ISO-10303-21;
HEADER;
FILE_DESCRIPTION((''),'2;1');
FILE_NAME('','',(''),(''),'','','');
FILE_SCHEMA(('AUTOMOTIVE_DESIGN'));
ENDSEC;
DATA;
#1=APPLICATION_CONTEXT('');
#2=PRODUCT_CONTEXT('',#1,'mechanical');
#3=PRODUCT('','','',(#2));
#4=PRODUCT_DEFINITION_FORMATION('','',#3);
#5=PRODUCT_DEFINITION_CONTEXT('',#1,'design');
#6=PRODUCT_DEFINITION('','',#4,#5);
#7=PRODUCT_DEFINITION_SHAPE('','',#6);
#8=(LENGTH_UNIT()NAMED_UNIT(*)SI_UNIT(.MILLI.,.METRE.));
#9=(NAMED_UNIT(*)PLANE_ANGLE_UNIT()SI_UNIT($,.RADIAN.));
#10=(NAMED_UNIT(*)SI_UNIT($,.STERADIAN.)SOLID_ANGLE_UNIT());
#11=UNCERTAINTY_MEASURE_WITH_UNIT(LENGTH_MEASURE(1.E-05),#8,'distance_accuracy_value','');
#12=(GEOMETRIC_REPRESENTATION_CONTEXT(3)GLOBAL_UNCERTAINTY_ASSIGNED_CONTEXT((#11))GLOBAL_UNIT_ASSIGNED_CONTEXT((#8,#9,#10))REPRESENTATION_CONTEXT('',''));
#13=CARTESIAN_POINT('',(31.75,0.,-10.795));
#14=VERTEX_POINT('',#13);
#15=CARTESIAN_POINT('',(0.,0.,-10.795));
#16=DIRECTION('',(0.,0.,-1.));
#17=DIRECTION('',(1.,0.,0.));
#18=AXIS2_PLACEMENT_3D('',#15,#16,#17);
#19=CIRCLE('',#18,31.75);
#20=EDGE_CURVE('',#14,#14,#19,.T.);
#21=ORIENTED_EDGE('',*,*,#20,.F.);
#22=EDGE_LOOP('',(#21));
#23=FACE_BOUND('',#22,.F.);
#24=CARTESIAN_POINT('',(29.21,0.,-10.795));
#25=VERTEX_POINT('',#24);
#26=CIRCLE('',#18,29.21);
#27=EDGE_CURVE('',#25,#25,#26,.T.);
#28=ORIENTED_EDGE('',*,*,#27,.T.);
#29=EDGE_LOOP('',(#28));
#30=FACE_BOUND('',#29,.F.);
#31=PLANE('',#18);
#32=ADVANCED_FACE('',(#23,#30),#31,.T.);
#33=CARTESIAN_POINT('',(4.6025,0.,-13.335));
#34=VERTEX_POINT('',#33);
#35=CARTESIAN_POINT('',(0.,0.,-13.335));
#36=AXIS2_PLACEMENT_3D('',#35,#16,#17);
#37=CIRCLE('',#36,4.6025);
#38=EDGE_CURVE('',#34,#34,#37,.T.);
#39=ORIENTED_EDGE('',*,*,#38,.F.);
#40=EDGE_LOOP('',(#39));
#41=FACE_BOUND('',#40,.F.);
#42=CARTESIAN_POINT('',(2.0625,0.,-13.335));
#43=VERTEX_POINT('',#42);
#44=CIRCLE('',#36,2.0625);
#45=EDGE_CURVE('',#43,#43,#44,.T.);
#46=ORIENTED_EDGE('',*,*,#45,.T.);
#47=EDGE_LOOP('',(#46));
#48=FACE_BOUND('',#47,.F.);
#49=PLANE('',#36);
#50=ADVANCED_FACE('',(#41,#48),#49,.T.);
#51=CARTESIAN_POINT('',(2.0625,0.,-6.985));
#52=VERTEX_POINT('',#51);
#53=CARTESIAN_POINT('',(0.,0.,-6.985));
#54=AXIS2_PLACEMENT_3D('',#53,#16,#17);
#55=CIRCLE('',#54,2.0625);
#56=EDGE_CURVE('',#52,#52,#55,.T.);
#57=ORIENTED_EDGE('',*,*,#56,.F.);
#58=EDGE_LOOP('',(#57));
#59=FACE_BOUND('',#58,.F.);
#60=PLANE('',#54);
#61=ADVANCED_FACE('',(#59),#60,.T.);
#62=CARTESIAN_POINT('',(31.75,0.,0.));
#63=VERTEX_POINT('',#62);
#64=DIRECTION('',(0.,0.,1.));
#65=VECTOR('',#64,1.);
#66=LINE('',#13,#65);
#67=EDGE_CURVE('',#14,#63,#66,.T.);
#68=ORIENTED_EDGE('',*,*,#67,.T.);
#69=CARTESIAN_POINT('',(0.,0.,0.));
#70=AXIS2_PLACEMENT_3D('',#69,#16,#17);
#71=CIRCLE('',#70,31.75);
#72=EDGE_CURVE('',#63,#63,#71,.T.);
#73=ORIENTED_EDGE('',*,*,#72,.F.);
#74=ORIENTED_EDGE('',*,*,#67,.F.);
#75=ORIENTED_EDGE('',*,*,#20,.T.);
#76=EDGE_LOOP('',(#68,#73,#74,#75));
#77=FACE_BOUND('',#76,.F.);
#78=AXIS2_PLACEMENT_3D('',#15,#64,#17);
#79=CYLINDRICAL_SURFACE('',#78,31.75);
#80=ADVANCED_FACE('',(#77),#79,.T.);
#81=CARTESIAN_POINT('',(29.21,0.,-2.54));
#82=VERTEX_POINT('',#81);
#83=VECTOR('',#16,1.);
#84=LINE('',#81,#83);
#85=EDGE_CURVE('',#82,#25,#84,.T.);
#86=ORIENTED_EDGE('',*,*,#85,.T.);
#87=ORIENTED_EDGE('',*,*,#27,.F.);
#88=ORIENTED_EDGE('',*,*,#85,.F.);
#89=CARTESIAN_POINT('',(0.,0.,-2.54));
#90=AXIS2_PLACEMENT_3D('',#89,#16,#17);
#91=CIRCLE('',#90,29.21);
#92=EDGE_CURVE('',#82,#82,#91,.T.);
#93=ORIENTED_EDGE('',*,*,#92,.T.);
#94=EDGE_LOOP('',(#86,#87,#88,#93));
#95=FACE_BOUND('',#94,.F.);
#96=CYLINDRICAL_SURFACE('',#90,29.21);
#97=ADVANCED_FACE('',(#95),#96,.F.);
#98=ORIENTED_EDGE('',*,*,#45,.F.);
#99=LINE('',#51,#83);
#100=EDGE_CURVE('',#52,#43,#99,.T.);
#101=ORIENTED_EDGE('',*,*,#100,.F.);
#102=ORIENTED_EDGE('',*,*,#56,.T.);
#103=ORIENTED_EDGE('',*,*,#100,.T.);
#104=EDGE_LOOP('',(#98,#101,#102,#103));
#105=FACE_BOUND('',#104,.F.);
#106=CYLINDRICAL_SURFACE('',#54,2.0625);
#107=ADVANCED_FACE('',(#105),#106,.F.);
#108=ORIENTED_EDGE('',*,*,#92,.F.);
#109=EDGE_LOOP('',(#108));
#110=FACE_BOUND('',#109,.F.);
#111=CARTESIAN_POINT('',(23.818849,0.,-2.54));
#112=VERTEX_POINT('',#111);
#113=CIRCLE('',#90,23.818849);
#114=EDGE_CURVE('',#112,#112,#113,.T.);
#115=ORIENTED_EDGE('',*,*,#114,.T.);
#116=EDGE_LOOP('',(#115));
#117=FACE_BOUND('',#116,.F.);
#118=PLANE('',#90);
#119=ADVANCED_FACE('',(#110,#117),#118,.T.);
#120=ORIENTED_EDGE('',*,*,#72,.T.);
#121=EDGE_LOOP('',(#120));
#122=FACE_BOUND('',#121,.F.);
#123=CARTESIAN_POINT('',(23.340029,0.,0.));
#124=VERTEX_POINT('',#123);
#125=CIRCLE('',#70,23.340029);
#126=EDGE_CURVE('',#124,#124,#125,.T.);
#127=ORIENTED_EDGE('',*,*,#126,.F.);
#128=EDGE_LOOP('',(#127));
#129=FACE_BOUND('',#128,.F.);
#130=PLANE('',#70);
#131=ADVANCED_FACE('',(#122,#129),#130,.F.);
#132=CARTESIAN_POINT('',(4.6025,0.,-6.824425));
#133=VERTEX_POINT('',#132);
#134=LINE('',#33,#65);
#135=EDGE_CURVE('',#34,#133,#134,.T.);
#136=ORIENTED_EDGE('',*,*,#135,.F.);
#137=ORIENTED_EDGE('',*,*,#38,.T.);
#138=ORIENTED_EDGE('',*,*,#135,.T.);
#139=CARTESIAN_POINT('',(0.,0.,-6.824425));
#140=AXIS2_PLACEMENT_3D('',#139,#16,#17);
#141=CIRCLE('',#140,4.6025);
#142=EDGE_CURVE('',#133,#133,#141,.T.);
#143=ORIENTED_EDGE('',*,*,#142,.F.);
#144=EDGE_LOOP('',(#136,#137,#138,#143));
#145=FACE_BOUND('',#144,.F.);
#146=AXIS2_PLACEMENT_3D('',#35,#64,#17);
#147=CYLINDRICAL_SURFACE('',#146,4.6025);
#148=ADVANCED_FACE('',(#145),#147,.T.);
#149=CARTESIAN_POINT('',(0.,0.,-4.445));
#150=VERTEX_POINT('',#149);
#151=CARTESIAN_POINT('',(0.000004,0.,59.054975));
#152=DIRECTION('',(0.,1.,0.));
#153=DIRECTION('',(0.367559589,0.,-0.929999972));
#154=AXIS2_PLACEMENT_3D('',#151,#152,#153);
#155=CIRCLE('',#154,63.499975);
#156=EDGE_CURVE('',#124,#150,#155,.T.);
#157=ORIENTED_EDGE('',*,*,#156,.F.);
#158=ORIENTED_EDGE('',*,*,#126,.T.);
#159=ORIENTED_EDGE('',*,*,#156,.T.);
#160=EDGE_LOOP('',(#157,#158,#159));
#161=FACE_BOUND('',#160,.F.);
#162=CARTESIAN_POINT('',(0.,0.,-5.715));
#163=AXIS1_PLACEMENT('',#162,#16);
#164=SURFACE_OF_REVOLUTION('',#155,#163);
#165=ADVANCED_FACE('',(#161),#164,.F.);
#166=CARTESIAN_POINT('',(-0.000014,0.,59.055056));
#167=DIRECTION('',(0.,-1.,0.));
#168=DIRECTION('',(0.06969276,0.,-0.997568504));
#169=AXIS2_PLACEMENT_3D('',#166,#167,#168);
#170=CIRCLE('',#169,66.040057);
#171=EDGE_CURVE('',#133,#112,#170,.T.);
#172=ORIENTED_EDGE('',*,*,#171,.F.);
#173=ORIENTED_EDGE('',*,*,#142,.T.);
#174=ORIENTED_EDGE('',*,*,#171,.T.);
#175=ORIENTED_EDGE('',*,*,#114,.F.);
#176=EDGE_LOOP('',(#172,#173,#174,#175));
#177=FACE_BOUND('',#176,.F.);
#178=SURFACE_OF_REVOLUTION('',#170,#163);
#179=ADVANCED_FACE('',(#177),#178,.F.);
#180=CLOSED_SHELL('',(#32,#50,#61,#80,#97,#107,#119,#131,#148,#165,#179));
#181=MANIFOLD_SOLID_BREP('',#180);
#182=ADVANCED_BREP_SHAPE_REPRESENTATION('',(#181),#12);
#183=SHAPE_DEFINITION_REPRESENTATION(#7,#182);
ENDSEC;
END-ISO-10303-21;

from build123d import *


with BuildPart() as f1:
    # F0 (on Front) → F1 (revolve)
    with BuildSketch(Plane.XZ):
        with BuildLine():
            ThreePointArc((23.340029, 0), (11.879762, -3.323853), (0, -4.445))
            Line((0, -4.445), (0, -6.985))
            Line((0, -6.985), (2.0625, -6.985))
            Line((2.0625, -6.985), (2.0625, -13.335))
            Line((2.0625, -13.335), (4.6025, -13.335))
            Line((4.6025, -13.335), (4.6025, -6.824425))
            ThreePointArc((4.6025, -6.824425), (14.371233, -5.402344), (23.818849, -2.54))
            Line((23.818849, -2.54), (29.21, -2.54))
            Line((29.21, -2.54), (29.21, -10.795))
            Line((29.21, -10.795), (31.75, -10.795))
            Line((31.75, -10.795), (31.75, 0))
            Line((31.75, 0), (23.340029, 0))
        make_face()
    revolve(axis=Axis((0, 0, -5.715), (0, 0, -1)))


solid = f1.part
